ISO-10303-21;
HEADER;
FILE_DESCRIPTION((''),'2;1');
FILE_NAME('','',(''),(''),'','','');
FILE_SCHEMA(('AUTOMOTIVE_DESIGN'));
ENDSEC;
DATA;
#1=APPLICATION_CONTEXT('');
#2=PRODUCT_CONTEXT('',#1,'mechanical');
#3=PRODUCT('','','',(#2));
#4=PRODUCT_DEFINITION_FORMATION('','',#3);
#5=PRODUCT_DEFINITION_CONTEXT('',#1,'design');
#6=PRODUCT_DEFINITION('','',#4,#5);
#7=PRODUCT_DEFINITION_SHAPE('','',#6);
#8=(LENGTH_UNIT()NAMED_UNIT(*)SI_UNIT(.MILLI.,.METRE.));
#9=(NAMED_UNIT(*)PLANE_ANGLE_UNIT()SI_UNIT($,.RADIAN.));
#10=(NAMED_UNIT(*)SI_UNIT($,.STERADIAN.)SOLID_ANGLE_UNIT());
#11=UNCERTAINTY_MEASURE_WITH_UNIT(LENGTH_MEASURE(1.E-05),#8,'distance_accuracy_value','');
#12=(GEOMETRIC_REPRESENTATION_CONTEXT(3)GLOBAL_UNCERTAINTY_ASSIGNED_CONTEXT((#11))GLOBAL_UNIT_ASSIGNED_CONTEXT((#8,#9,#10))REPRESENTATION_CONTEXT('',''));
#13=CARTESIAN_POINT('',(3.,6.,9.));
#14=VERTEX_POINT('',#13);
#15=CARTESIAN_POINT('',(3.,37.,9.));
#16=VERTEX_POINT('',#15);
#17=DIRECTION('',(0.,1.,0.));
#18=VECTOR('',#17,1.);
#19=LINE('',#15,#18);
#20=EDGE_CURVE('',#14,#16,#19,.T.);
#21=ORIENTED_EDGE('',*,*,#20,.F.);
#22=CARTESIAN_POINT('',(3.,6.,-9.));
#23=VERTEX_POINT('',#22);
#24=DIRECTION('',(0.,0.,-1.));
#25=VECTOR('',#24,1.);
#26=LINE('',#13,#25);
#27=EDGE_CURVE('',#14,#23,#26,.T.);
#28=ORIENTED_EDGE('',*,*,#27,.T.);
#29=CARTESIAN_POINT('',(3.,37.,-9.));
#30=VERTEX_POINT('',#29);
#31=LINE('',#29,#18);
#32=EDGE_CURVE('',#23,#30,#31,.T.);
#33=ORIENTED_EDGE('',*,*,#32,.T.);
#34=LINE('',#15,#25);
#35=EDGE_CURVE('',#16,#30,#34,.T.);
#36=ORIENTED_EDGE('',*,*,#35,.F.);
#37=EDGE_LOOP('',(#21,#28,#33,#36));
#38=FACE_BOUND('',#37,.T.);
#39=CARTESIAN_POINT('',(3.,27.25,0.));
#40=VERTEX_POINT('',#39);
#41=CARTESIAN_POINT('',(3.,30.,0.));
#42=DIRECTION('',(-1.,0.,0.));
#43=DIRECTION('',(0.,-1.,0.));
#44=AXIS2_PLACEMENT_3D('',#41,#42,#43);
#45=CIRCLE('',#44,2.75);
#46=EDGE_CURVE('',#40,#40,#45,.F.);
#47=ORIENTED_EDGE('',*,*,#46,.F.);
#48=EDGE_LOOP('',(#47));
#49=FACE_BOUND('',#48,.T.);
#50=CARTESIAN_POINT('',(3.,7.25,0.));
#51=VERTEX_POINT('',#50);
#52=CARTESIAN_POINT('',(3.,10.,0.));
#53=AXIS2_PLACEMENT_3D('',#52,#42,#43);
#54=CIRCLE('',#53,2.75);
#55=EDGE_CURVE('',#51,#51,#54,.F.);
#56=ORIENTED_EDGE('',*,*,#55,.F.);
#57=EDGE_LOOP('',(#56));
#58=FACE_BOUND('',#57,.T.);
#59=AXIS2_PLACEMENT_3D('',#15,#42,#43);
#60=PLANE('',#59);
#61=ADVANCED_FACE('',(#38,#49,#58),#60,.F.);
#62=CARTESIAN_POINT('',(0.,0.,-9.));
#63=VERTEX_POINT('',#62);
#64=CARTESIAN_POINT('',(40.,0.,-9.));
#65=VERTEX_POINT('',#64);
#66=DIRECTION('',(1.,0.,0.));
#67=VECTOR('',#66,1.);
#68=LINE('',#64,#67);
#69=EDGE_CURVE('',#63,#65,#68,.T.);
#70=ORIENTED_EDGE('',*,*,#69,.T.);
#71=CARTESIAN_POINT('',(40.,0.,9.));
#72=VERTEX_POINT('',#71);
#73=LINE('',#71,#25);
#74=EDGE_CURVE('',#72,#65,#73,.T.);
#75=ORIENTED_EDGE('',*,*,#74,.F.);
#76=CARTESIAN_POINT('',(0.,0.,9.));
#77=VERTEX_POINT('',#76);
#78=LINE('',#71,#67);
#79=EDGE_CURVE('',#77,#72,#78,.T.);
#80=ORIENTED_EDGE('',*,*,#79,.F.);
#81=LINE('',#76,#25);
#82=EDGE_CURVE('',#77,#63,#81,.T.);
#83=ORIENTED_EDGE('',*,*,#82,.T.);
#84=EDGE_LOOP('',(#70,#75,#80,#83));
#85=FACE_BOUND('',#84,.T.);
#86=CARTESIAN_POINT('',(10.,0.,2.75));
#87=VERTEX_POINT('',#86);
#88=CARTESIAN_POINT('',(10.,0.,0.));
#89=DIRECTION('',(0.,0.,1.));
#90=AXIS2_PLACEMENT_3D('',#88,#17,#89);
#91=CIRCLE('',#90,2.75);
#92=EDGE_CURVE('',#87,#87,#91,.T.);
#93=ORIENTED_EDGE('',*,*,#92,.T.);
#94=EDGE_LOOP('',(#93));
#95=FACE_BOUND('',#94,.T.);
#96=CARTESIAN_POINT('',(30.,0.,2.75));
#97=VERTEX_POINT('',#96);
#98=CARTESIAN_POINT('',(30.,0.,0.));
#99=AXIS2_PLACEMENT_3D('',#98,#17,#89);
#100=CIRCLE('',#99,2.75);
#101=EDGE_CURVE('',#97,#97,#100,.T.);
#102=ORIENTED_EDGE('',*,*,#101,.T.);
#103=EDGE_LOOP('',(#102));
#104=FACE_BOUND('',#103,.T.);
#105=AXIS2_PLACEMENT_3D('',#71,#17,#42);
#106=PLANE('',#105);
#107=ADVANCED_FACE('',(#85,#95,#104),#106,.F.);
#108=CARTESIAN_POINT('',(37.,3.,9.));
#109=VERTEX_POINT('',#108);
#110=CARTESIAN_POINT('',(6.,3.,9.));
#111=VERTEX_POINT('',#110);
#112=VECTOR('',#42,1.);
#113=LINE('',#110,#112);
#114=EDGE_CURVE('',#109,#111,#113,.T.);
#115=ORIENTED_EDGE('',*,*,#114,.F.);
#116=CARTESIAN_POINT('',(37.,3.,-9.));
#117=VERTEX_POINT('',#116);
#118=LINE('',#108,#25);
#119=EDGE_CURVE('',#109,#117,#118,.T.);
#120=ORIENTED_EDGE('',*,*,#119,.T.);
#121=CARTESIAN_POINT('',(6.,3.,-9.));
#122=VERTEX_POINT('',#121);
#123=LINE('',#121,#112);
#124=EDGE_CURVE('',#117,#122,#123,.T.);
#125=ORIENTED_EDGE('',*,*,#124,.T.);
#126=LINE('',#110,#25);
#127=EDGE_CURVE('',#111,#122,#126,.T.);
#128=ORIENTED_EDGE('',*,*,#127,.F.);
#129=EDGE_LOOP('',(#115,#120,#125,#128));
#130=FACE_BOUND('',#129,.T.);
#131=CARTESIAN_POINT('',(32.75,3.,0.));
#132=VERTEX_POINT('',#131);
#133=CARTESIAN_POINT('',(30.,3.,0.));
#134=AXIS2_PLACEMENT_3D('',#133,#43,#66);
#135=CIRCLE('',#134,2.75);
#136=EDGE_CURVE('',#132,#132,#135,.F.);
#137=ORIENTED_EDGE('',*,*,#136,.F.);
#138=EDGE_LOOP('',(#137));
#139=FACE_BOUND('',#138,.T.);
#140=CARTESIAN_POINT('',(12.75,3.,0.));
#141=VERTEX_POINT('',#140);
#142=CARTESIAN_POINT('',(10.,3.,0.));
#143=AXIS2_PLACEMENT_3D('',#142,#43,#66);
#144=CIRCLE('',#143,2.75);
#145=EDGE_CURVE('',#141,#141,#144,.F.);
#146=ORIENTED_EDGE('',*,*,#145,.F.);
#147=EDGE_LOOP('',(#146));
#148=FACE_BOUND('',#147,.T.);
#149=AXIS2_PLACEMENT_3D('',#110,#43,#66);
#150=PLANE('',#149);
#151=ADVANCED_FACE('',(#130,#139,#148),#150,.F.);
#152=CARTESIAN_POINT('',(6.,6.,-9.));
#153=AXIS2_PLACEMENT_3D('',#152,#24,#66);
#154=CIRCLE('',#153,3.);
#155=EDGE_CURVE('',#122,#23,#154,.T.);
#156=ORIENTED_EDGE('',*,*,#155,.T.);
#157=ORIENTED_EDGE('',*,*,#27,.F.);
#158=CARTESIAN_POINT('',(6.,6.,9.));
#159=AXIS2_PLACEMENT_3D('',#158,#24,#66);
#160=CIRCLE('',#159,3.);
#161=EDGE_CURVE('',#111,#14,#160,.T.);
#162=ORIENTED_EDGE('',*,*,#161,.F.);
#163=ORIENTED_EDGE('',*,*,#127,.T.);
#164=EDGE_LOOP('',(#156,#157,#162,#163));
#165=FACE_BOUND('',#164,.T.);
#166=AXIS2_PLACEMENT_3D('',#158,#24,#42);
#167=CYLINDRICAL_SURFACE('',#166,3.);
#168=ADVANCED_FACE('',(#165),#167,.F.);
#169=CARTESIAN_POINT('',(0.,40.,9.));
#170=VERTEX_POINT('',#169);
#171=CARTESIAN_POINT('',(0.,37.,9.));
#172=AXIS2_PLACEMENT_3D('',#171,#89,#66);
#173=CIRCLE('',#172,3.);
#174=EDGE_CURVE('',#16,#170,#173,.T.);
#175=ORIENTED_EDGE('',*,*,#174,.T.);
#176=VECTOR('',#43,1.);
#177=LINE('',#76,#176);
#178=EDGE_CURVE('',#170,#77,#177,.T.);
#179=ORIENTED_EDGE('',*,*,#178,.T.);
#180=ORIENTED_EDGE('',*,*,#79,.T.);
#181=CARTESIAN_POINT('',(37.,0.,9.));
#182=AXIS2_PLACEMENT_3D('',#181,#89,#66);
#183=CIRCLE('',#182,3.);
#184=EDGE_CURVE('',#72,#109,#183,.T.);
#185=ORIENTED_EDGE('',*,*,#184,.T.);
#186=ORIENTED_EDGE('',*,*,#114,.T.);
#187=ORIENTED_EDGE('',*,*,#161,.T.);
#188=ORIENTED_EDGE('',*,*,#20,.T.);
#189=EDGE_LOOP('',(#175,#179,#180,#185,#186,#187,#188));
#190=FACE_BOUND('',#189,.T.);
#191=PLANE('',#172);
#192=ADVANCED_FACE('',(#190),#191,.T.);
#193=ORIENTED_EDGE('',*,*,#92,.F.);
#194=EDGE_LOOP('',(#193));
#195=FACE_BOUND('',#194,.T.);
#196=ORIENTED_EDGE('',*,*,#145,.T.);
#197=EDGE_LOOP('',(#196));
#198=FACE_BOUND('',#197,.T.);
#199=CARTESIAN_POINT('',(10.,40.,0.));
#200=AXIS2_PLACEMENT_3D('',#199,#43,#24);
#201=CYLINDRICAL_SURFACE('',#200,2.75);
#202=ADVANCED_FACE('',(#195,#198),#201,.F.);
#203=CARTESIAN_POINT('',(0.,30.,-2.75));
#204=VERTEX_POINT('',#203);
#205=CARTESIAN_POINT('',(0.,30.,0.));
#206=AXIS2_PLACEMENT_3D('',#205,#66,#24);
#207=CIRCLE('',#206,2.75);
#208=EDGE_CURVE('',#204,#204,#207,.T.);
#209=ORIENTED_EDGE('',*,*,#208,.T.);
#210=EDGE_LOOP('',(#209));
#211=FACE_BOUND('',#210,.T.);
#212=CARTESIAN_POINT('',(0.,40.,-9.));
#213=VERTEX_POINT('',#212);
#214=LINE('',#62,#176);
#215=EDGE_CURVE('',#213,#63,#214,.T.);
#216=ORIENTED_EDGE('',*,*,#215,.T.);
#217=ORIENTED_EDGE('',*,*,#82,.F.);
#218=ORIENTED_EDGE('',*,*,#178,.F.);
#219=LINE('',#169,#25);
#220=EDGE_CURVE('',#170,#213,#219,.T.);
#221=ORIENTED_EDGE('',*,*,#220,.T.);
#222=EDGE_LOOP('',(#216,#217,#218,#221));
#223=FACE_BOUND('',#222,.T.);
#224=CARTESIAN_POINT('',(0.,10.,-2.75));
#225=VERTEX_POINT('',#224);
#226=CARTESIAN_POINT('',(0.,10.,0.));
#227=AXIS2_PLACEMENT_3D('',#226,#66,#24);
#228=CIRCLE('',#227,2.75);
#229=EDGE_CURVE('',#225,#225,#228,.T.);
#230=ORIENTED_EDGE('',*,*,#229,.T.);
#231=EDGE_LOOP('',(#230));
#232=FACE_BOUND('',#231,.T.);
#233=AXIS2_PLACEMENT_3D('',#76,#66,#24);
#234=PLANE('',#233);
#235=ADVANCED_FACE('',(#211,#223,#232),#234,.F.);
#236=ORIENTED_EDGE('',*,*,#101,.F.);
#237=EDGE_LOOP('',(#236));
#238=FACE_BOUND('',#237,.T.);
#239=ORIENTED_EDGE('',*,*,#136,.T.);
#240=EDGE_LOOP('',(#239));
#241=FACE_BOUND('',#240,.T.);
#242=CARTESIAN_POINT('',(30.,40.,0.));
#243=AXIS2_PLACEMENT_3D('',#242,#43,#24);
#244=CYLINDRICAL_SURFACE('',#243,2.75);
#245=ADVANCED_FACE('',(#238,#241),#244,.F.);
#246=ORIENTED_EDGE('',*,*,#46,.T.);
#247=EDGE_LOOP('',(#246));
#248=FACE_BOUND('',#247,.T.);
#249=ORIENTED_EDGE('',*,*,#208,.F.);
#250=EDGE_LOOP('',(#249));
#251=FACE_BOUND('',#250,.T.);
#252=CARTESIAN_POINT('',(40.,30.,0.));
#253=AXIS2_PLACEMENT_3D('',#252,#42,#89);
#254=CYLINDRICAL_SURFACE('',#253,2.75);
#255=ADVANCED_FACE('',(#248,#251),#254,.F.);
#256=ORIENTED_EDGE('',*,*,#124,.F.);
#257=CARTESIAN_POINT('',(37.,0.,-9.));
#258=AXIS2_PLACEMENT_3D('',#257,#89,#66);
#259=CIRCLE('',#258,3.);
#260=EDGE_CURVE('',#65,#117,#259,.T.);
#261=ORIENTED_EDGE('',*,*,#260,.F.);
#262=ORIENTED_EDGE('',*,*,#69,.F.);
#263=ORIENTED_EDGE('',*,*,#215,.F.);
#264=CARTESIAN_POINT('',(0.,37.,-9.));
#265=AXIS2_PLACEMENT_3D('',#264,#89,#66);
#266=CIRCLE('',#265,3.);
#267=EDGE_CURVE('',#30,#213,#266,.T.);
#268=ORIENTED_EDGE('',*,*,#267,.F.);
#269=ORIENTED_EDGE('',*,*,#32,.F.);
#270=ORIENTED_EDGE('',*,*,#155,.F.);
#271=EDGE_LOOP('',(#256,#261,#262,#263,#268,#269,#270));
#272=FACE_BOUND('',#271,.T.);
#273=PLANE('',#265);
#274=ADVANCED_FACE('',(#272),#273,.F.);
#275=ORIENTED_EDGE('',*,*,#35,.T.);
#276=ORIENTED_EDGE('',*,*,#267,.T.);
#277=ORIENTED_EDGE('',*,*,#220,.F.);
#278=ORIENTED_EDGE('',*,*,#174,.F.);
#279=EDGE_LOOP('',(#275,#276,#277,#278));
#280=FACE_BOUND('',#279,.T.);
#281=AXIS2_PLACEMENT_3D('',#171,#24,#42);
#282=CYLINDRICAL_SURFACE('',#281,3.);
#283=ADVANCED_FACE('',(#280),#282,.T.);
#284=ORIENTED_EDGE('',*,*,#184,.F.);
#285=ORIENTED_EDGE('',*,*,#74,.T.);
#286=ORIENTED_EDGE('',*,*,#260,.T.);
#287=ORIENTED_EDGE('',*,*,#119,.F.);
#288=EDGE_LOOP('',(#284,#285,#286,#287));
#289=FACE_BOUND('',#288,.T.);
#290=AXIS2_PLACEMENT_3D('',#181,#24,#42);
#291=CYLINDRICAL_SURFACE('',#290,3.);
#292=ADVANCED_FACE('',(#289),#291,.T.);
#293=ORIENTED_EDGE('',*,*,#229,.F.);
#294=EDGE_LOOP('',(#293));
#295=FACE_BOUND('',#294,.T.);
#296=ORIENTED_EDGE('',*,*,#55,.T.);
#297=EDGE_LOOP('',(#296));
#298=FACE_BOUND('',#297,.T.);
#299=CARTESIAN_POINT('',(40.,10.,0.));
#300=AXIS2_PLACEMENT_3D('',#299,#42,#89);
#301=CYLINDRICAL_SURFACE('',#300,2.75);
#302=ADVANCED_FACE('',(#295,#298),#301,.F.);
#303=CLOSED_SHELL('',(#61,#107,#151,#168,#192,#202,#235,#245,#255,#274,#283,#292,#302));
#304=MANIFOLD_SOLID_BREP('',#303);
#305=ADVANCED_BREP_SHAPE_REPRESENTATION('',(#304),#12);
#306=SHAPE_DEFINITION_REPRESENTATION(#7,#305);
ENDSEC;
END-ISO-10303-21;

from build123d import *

# Parameters (mm, degrees)
BOSS_EXTRUDE1_DEPTH = 9
SKETCH2_R           = 2.75
CUT_EXTRUDE1_DEPTH  = 41
SKETCH3_R           = 2.75
CUT_EXTRUDE2_DEPTH  = 41


with BuildPart() as part:
    # Sketch1 → Boss-Extrude1 (new body, symmetric)
    with BuildSketch(Plane.XY):
        with BuildLine():
            Line((0, 0), (0, 40))
            ThreePointArc((0, 40), (2.121320344, 39.121320344), (3, 37))
            Line((3, 37), (3, 6))
            ThreePointArc((3, 6), (3.878679656, 3.878679656), (6, 3))
            Line((6, 3), (37, 3))
            ThreePointArc((37, 3), (39.121320344, 2.121320344), (40, 0))
            Line((40, 0), (0, 0))
        make_face()
    extrude(amount=BOSS_EXTRUDE1_DEPTH, both=True)

    # Sketch2 → Cut-Extrude1 (cut, through all)
    with BuildSketch(Plane(origin=(0, 0, 0), x_dir=(1, 0, 0), z_dir=(0, 1, 0))):
        with Locations((10, 0)):
            Circle(SKETCH2_R)
        with Locations((30, 0)):
            Circle(SKETCH2_R)
    extrude(amount=CUT_EXTRUDE1_DEPTH, mode=Mode.SUBTRACT)

    # Sketch3 → Cut-Extrude2 (cut, through all)
    with BuildSketch(Plane(origin=(0, 0, 0), x_dir=(0, 0, -1), z_dir=(1, 0, 0))):
        with Locations((0, 10)):
            Circle(SKETCH3_R)
        with Locations((0, 30)):
            Circle(SKETCH3_R)
    extrude(amount=CUT_EXTRUDE2_DEPTH, mode=Mode.SUBTRACT)


solid = part.part
